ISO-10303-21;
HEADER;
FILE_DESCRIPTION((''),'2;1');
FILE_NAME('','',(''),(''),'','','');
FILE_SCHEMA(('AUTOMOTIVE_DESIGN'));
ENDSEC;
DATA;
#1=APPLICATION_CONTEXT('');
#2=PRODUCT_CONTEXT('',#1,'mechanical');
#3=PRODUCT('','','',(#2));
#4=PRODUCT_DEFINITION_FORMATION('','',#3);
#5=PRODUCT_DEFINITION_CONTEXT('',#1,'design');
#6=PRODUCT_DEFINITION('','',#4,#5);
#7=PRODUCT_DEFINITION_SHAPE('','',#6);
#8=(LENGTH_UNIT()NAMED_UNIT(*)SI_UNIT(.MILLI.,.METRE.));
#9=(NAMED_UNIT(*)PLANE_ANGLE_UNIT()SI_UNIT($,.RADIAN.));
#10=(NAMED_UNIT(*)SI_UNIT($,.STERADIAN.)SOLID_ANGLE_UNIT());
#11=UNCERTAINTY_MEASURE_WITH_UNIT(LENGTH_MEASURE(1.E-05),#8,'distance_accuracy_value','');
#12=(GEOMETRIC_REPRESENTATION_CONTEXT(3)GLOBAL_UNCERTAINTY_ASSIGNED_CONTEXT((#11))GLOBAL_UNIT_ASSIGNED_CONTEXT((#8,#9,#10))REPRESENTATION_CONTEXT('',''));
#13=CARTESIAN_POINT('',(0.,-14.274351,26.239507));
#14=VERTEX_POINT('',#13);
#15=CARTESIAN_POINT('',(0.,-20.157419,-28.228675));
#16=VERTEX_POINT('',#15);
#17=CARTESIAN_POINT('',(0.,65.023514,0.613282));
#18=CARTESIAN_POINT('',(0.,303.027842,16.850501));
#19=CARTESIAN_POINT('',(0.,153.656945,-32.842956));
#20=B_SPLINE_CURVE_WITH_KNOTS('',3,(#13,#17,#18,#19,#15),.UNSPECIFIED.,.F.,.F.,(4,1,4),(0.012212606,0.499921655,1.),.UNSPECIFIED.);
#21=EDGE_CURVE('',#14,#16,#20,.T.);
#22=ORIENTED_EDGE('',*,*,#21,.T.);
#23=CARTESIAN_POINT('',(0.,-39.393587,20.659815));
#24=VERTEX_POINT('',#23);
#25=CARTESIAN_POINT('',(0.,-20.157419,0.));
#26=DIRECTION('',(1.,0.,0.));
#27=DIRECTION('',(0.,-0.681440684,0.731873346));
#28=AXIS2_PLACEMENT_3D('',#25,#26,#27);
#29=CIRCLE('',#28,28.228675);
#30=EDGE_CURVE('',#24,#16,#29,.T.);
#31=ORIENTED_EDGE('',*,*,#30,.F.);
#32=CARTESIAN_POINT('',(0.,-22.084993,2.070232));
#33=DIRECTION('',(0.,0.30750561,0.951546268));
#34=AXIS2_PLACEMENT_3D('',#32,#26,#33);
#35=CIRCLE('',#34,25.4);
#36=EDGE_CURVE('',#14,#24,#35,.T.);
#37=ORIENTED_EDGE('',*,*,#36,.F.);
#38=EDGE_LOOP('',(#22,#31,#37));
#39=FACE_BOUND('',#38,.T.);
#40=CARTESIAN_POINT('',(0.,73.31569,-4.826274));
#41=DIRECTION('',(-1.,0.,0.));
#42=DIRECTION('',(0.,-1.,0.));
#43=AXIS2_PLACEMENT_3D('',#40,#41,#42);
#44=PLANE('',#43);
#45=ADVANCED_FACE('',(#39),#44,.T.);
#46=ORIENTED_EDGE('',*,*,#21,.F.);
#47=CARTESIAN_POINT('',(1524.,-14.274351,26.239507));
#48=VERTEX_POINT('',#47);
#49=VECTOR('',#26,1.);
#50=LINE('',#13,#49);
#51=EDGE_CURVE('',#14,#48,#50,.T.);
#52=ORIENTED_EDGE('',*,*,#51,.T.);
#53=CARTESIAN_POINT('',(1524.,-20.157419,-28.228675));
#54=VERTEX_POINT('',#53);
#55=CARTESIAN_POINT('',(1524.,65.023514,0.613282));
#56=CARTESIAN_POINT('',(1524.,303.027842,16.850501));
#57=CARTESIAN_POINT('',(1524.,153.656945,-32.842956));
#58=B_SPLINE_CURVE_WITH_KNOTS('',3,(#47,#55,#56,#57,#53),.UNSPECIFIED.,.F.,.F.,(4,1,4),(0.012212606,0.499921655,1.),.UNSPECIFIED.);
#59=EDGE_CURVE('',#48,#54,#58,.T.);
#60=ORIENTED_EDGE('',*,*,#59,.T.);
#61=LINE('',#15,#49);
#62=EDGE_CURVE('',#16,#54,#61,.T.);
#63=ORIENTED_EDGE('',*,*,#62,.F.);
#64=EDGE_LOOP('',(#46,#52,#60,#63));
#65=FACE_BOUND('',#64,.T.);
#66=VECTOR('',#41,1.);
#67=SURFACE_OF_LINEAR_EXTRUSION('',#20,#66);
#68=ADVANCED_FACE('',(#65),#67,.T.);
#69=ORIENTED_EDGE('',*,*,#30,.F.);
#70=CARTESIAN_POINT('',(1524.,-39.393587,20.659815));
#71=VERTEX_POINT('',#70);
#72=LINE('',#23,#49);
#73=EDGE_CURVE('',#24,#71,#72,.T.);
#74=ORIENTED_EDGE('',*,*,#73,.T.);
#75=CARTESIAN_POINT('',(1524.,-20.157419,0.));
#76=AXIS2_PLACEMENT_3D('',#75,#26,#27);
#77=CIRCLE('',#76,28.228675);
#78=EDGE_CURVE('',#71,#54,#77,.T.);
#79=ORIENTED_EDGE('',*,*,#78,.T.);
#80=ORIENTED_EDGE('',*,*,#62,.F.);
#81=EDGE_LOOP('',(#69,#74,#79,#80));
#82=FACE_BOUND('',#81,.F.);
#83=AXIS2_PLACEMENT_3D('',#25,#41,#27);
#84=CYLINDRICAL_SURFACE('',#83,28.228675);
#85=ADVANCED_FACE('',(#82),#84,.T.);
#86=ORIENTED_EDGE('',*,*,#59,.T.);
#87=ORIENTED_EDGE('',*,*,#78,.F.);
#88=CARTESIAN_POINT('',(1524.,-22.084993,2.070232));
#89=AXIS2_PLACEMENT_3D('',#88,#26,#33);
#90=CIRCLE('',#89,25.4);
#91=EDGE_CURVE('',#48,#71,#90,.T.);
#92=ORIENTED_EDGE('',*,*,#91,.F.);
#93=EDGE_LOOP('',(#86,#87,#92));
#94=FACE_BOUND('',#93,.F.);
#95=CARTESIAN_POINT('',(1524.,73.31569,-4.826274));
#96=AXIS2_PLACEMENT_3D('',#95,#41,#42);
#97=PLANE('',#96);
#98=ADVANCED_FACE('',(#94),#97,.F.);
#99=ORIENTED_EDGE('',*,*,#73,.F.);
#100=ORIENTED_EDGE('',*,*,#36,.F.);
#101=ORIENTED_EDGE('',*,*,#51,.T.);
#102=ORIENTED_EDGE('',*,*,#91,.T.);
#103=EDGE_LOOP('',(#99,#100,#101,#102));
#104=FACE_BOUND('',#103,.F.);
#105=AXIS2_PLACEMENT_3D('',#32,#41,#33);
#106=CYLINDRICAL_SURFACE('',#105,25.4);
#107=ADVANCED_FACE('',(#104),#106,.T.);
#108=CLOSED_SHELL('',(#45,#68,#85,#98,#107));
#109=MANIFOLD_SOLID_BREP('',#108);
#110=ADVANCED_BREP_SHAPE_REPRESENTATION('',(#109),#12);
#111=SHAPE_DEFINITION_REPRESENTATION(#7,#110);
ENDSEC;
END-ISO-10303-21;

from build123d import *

# Parameters (mm, degrees)
F1_DEPTH = 1524


with BuildPart() as f1:
    # F0 (on Right) → F1 (new body)
    with BuildSketch(Plane.YZ):
        with BuildLine():
            add(Edge.make_bspline(
                [(-14.2743506895, 26.2395068337), (65.0235138216, 0.6132824351), (303.0278421372, 16.8505007815), (153.6569446325, -32.8429564834), (-20.1574191451, -28.2286747178)],
                knots=[0.0122126056, 0.0122126056, 0.0122126056, 0.0122126056, 0.4999216552, 1, 1, 1, 1], degree=3))
            ThreePointArc((-14.2743506895, 26.2395068337), (-27.5928066364, 26.8658762255), (-39.3935865538, 20.6598146107))
            ThreePointArc((-39.3935865538, 20.6598146107), (-46.425815201, -10.3358330566), (-20.1574191451, -28.2286747178))
        make_face()
    extrude(amount=F1_DEPTH)


solid = f1.part
